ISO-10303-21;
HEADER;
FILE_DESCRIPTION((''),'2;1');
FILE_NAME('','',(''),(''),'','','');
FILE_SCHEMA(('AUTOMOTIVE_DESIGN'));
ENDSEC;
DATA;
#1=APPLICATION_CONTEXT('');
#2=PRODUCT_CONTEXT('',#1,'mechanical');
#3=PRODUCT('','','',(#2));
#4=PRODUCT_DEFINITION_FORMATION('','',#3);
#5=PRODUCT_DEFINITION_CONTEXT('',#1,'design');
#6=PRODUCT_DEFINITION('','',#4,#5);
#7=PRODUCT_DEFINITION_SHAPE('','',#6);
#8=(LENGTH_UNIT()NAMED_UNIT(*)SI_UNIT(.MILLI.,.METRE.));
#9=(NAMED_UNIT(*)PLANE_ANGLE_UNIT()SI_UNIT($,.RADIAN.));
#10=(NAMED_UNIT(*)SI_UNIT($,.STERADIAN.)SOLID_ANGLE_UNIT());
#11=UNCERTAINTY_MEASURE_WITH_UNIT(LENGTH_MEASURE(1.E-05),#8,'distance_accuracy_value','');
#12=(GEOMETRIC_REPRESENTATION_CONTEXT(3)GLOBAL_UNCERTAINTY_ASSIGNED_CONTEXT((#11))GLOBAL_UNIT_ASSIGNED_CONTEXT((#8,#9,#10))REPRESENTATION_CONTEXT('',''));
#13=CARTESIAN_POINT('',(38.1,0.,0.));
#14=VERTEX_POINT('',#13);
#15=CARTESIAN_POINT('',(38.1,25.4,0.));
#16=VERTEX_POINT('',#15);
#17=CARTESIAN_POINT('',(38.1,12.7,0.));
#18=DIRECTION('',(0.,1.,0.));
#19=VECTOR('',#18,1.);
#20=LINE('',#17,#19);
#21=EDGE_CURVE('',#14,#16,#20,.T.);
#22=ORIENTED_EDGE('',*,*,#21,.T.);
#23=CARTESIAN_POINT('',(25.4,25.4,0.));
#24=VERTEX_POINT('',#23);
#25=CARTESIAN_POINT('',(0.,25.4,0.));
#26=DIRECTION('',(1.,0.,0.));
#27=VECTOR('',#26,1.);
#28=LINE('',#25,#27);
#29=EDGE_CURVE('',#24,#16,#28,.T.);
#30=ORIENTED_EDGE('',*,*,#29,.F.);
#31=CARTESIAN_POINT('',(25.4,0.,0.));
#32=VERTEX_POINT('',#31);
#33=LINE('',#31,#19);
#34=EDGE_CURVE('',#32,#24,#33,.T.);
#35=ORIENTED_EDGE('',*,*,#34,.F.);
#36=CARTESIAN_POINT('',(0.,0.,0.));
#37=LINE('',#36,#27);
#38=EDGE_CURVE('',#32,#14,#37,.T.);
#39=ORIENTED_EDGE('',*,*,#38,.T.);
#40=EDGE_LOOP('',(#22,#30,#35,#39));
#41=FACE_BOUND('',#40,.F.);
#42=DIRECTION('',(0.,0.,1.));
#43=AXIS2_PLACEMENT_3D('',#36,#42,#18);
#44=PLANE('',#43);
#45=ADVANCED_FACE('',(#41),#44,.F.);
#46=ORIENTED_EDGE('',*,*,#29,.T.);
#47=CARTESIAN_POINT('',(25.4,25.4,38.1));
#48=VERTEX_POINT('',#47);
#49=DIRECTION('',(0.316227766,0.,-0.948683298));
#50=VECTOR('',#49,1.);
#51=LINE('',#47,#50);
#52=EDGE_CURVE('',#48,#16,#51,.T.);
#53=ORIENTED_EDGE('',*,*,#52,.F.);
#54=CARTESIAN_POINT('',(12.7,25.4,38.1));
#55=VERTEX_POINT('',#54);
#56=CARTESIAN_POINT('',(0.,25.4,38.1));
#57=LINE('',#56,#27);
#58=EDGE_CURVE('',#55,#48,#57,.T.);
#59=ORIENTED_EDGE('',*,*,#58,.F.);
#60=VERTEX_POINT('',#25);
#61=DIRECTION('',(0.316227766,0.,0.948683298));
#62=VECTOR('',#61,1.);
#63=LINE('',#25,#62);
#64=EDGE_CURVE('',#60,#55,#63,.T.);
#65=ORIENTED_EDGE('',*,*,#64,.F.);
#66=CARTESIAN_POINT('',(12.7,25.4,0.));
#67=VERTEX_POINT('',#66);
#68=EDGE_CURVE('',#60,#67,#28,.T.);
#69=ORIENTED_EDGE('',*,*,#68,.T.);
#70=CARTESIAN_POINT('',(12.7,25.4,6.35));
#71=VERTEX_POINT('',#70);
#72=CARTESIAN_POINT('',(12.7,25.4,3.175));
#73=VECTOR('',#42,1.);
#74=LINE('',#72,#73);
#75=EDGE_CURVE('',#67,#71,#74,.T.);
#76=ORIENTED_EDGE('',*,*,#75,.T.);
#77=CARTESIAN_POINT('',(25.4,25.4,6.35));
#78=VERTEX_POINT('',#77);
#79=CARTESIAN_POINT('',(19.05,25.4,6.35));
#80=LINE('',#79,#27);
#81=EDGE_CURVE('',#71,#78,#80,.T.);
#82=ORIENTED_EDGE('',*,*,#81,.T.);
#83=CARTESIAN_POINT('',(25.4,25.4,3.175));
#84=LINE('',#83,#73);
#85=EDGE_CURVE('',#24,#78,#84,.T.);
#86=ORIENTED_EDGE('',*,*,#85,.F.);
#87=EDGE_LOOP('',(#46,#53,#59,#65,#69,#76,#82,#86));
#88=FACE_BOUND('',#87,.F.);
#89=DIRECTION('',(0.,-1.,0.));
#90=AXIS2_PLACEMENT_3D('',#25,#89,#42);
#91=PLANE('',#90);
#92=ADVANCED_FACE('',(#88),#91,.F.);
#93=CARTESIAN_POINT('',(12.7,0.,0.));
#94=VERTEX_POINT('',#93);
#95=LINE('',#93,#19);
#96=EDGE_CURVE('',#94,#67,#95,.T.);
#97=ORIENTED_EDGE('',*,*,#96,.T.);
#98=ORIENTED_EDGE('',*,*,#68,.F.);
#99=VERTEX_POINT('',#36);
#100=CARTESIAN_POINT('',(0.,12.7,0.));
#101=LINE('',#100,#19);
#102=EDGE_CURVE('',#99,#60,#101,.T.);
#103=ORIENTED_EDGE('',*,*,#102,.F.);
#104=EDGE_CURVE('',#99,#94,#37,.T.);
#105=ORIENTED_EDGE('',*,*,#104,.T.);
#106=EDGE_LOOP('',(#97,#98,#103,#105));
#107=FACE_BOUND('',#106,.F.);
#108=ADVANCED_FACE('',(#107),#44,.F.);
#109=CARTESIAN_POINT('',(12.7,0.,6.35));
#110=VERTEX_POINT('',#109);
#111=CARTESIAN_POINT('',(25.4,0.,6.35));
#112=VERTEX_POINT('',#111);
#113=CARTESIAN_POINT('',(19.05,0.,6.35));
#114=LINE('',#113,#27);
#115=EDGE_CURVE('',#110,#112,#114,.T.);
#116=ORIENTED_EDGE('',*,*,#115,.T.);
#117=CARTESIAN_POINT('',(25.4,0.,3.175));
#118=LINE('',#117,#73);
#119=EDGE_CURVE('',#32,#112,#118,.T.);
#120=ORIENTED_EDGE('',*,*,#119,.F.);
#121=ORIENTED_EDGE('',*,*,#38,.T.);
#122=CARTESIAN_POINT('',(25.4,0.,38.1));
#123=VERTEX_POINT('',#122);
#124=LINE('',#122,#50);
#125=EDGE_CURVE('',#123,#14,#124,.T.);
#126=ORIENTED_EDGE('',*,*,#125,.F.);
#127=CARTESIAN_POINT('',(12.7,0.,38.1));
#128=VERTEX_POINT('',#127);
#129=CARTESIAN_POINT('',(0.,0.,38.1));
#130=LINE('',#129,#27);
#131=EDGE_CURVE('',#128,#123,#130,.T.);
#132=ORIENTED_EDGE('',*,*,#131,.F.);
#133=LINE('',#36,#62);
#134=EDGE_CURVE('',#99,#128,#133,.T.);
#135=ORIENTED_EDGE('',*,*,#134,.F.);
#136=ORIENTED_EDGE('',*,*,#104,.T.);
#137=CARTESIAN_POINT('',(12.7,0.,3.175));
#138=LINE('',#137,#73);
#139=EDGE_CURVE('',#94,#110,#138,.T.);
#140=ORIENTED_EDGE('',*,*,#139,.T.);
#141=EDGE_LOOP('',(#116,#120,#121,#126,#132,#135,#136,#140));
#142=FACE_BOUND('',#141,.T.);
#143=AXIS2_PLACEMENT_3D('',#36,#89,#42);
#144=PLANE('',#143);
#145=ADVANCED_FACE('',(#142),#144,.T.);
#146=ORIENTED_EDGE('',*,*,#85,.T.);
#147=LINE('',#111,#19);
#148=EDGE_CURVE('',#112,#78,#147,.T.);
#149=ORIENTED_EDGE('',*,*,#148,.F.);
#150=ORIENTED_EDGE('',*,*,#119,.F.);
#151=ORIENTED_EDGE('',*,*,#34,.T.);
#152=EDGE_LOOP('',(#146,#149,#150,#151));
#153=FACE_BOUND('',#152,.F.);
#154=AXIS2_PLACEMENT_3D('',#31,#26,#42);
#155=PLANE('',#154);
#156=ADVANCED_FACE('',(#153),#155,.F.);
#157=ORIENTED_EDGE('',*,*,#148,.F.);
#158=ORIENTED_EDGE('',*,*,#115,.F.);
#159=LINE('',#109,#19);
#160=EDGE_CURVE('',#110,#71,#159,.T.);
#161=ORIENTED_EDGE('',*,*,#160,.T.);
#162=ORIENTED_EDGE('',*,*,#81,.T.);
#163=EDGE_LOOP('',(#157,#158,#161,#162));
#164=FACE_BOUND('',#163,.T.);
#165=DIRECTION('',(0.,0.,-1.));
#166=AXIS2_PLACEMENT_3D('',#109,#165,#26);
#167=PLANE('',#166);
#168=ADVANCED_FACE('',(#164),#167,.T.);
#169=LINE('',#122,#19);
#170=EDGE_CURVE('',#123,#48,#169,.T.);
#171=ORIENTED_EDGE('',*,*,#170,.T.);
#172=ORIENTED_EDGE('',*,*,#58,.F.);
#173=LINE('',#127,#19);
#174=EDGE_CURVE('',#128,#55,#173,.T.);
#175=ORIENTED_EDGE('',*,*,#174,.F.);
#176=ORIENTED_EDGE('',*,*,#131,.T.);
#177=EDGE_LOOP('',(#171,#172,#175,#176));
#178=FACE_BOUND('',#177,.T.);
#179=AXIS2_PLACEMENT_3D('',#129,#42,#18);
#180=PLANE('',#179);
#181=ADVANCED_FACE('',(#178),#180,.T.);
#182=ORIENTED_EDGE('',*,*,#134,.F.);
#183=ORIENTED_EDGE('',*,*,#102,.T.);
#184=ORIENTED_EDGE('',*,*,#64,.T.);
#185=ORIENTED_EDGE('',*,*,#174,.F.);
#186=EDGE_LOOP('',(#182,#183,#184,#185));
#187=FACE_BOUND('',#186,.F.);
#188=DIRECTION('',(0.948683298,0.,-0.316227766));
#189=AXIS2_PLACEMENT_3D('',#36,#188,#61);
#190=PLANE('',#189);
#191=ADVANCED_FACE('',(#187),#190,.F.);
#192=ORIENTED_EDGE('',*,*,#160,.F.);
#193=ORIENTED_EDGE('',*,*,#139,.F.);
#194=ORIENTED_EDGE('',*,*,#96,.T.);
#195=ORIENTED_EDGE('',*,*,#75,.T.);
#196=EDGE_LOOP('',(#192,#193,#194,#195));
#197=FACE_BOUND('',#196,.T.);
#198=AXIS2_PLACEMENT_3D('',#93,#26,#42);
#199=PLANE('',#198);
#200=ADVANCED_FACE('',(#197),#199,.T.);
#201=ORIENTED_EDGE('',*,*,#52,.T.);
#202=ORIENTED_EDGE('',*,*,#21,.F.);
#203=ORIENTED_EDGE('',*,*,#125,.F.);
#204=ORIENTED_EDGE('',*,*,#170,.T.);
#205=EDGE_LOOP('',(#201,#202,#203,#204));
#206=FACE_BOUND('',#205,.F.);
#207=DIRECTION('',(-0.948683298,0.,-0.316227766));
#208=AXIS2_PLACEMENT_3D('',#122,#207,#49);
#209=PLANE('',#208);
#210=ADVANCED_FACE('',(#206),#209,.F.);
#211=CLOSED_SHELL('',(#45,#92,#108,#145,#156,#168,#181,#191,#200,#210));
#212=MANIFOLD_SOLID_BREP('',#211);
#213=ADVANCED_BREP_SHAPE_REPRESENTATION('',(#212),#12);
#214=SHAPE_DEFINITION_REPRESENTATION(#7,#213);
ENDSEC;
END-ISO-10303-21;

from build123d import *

# Parameters (mm, degrees)
F0_W     = 25.4
F0_H     = 38.1
F1_DEPTH = 38.1
F2_W     = 12.7
F2_H     = 6.35
F3_DEPTH = 25.4
F5_DEPTH = 25.4
F7_DEPTH = 25.4


with BuildPart() as f1:
    # F0 (on Right) → F1 (new body)
    with BuildSketch(Plane.YZ):
        with Locations((12.7, 19.05)):
            Rectangle(F0_W, F0_H)
    extrude(amount=F1_DEPTH)

    # F2 (on Front) → F3 (cut)
    with BuildSketch(Plane.XZ):
        with Locations((19.05, 3.175)):
            Rectangle(F2_W, F2_H)
    extrude(amount=-F3_DEPTH, mode=Mode.SUBTRACT)

    # F4 (on face) → F5 (cut)
    with BuildSketch(Plane.XZ):
        Polygon((38.1, 38.1), (25.4, 38.1), (38.1, 0), align=None)
    extrude(amount=-F5_DEPTH, mode=Mode.SUBTRACT)

    # F6 (on Front) → F7 (cut)
    with BuildSketch(Plane.XZ):
        Polygon((0, 38.1), (0, 0), (12.7, 38.1), align=None)
    extrude(amount=-F7_DEPTH, mode=Mode.SUBTRACT)


solid = f1.part
